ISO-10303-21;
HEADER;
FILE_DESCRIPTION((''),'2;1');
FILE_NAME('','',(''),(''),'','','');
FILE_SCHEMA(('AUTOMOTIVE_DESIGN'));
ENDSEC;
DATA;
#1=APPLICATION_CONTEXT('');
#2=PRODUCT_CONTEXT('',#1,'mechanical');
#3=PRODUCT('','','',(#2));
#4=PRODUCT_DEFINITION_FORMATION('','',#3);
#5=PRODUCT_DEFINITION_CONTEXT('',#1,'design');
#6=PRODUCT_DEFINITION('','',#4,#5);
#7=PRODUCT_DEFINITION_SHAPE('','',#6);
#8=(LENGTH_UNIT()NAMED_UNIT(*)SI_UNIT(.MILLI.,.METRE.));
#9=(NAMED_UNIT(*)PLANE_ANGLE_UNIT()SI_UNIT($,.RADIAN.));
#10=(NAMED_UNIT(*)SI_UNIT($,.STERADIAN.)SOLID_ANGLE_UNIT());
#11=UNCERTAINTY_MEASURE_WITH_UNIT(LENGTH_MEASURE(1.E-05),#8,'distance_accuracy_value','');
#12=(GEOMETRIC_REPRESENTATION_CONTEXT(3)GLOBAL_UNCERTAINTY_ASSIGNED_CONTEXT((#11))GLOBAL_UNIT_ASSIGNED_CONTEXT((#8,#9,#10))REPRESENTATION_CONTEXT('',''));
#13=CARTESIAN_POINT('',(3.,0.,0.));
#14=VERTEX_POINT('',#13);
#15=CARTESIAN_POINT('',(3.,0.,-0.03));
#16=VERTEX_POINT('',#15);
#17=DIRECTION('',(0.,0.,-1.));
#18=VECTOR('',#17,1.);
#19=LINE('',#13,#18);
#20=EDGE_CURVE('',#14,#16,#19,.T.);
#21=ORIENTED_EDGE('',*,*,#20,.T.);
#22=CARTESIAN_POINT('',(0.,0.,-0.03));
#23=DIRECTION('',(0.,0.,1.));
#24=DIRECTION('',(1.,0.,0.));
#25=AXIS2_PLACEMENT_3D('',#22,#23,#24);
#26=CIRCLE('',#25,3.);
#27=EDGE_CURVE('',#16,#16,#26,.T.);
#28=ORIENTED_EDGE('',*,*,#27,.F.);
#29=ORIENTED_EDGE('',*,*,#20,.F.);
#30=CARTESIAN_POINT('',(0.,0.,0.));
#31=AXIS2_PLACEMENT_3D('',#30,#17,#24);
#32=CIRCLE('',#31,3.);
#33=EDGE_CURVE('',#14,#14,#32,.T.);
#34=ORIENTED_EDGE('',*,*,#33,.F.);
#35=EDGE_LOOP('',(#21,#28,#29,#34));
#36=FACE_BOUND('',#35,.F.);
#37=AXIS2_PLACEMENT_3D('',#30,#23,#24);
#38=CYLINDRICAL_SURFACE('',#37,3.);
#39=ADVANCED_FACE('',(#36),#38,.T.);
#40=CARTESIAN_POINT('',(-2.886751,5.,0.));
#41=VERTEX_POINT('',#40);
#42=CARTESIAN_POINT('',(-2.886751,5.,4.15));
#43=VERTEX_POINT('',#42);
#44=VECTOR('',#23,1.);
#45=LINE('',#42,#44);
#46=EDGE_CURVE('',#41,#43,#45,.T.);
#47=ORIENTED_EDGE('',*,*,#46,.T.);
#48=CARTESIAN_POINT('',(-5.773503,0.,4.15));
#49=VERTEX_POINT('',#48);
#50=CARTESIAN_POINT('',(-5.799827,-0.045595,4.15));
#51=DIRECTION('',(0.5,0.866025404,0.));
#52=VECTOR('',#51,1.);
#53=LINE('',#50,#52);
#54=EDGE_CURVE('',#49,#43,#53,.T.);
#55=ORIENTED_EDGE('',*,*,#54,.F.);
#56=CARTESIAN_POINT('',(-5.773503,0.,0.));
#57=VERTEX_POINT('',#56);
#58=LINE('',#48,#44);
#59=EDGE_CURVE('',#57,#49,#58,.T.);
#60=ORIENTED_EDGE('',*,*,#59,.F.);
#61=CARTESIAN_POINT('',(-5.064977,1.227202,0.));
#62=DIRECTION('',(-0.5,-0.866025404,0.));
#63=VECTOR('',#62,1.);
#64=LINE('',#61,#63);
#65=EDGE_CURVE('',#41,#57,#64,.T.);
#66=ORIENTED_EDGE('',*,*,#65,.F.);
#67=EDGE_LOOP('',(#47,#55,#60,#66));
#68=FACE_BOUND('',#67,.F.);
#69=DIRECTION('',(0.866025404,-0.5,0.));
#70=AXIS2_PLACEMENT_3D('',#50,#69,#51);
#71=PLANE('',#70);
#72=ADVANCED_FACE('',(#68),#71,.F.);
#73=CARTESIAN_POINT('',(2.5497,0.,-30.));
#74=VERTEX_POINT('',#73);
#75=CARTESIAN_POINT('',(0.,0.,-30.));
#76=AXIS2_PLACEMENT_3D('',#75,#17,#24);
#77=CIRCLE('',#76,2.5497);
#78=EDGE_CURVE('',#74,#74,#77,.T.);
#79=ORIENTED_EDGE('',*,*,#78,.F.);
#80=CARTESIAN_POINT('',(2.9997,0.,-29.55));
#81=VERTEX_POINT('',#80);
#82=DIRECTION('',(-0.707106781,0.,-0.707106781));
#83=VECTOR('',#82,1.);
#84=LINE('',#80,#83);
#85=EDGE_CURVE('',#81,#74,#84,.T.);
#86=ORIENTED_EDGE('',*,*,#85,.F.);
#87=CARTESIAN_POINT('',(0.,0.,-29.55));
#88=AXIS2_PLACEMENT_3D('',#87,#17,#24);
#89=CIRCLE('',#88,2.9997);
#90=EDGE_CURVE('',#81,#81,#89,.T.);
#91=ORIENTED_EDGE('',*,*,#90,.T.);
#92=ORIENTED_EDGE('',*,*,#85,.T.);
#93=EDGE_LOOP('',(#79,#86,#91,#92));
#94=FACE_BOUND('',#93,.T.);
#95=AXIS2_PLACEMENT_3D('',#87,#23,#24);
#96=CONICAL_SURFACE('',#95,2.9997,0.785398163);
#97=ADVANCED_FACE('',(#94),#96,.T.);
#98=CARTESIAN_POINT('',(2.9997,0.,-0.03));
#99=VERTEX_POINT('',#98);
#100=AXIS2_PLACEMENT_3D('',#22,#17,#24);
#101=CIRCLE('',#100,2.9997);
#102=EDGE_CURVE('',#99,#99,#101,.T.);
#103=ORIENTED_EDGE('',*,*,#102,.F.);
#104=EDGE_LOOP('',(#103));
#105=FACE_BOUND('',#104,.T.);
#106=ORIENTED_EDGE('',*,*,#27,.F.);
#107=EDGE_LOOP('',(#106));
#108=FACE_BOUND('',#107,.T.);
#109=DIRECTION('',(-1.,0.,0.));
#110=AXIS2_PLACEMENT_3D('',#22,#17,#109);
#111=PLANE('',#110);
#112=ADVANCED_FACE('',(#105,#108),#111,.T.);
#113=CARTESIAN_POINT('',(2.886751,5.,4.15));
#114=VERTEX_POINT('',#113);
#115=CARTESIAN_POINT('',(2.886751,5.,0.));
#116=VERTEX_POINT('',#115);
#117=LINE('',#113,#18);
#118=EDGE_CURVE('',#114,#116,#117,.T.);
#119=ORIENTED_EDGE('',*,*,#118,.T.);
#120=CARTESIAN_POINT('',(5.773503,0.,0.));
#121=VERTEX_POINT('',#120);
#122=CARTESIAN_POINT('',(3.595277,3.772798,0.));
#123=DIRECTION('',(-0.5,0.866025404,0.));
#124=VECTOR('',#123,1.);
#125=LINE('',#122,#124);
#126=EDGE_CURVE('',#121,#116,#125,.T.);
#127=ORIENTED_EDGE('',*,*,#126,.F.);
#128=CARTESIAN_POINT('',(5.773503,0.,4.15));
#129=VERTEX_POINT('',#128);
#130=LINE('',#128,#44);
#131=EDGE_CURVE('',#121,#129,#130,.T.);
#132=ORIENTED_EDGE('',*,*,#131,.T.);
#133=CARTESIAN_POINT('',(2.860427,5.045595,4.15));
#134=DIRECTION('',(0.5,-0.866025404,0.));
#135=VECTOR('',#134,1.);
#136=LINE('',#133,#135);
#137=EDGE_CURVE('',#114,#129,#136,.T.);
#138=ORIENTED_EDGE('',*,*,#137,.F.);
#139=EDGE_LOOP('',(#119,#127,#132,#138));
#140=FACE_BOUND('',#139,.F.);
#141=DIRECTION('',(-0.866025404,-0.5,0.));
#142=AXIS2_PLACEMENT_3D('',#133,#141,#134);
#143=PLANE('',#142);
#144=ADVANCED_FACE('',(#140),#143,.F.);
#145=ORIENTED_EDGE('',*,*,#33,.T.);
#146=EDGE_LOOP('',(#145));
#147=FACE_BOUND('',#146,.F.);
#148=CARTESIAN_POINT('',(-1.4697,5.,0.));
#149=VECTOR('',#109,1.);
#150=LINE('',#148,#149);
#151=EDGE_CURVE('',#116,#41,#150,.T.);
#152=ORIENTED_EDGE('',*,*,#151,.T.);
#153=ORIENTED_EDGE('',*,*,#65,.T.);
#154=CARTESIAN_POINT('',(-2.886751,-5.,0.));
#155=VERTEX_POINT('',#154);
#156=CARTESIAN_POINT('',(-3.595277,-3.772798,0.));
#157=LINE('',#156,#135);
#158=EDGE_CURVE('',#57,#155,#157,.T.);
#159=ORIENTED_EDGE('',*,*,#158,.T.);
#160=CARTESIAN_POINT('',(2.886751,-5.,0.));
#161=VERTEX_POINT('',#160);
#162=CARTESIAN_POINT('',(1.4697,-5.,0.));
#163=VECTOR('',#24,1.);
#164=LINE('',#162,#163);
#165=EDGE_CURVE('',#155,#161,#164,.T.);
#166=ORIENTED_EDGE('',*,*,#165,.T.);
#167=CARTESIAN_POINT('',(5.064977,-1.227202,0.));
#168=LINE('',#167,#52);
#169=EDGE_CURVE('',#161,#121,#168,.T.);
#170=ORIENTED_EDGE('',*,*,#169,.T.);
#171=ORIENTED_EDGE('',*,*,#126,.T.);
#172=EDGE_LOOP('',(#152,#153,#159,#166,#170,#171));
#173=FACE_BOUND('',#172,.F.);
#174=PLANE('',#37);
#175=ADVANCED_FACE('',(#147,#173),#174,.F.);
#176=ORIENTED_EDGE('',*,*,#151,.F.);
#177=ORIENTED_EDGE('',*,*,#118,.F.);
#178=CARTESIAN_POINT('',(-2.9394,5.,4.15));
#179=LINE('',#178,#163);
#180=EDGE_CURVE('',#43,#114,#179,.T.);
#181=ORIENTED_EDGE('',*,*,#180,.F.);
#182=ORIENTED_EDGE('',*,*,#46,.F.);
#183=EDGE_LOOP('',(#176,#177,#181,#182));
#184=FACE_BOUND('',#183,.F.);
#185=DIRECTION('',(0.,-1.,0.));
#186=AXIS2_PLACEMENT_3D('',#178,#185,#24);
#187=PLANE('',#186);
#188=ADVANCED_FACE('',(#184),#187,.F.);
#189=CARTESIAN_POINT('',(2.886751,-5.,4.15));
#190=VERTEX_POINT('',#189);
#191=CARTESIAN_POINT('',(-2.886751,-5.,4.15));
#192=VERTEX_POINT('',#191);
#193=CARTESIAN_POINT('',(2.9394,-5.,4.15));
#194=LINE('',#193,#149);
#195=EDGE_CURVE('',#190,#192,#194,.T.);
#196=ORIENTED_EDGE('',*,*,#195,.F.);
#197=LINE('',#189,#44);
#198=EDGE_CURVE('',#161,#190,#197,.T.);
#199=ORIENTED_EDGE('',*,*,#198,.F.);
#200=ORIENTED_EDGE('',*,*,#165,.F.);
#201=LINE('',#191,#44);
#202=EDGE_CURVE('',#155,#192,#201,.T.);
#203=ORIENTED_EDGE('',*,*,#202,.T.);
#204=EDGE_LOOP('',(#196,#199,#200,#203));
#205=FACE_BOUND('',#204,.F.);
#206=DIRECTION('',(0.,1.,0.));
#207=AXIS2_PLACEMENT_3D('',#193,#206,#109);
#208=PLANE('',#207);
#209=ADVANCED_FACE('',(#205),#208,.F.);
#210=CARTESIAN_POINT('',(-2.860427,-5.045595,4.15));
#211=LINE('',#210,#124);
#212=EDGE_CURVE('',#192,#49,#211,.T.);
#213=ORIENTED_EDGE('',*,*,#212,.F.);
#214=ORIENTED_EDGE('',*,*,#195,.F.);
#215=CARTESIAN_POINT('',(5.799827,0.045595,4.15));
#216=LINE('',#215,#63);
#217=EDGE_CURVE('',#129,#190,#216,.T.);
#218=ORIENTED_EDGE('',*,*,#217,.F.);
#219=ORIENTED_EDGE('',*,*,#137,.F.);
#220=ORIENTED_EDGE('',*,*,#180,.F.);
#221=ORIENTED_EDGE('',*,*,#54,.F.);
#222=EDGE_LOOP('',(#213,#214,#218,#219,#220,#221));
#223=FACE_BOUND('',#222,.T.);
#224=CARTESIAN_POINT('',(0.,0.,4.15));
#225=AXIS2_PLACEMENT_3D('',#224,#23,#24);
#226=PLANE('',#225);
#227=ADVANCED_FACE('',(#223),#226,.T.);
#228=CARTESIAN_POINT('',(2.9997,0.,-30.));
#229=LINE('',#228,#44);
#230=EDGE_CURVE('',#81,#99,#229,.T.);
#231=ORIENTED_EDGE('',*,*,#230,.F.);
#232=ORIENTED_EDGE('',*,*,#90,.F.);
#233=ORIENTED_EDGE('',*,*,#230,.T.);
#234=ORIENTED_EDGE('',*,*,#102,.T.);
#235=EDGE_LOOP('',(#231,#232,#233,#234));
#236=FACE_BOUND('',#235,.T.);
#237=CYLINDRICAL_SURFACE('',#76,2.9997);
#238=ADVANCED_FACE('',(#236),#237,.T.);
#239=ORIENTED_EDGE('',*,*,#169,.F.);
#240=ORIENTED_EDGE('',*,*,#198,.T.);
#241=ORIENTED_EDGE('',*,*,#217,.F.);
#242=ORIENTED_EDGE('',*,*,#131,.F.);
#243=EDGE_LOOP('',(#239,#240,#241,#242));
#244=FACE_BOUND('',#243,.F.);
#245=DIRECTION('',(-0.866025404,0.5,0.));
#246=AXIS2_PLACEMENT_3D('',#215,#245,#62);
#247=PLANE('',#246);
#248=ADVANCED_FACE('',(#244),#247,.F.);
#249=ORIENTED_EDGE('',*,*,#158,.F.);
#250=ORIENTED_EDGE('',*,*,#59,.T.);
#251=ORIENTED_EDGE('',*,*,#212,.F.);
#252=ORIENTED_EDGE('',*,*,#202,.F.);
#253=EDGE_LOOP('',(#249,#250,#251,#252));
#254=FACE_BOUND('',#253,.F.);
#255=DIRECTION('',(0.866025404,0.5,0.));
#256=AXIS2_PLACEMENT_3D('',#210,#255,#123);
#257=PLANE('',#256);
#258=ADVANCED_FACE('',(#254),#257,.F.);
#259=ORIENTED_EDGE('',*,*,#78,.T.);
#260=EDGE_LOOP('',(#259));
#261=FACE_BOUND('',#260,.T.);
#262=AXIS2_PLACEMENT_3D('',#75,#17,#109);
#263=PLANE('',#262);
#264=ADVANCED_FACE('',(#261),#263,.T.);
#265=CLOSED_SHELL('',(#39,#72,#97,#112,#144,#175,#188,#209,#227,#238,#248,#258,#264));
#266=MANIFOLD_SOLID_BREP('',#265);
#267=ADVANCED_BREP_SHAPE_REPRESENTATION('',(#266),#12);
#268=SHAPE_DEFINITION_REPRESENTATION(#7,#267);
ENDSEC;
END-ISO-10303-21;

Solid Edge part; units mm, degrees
sketch "Sketch1" plane through (0, 0, 0) normal (0, 0, 1) x (1, 0, 0)
  circle A0 centre (0, 0) radius 5.8
  dimension "D1" = 11.6
extrude "Protrusion1" add sketch "Sketch1" along normal blind 4.15
sketch "Sketch2" plane through (0, 0, 0) normal (0, 0, -1) x (1, 0, 0)
  circle A0 centre (0, 0) radius 3
extrude "Protrusion2" add sketch "Sketch2" along normal blind 30
sketch "Sketch3" plane through (0, 0, -30) normal (0, 0, -1) x (1, 0, 0)
  circle A0 centre (0, 0) radius 2.9997
extrude "Cutout1" cut sketch "Sketch3" against normal blind 29.97 flip side to cut
chamfer "Chamfer_1" distance 0.45 angle 45 1 edges at (-2.9997, 0, -30)
sketch "Sketch4" plane through (0, 0, 4.15) normal (0, 0, 1) x (1, 0, 0)
  line L0 (-2.9394, 5) -> (2.9394, 5)
  dimension "D1" = 10
extrude "Cutout2" cut sketch "Sketch4" against normal up to next material side at (0, 5.05, 4.15)
pattern_circular "Pattern1" count 6 over 360 about axis through (0, 0, 4.15) along (0, 0, 1) of "Cutout2"
properties part number "185627"
